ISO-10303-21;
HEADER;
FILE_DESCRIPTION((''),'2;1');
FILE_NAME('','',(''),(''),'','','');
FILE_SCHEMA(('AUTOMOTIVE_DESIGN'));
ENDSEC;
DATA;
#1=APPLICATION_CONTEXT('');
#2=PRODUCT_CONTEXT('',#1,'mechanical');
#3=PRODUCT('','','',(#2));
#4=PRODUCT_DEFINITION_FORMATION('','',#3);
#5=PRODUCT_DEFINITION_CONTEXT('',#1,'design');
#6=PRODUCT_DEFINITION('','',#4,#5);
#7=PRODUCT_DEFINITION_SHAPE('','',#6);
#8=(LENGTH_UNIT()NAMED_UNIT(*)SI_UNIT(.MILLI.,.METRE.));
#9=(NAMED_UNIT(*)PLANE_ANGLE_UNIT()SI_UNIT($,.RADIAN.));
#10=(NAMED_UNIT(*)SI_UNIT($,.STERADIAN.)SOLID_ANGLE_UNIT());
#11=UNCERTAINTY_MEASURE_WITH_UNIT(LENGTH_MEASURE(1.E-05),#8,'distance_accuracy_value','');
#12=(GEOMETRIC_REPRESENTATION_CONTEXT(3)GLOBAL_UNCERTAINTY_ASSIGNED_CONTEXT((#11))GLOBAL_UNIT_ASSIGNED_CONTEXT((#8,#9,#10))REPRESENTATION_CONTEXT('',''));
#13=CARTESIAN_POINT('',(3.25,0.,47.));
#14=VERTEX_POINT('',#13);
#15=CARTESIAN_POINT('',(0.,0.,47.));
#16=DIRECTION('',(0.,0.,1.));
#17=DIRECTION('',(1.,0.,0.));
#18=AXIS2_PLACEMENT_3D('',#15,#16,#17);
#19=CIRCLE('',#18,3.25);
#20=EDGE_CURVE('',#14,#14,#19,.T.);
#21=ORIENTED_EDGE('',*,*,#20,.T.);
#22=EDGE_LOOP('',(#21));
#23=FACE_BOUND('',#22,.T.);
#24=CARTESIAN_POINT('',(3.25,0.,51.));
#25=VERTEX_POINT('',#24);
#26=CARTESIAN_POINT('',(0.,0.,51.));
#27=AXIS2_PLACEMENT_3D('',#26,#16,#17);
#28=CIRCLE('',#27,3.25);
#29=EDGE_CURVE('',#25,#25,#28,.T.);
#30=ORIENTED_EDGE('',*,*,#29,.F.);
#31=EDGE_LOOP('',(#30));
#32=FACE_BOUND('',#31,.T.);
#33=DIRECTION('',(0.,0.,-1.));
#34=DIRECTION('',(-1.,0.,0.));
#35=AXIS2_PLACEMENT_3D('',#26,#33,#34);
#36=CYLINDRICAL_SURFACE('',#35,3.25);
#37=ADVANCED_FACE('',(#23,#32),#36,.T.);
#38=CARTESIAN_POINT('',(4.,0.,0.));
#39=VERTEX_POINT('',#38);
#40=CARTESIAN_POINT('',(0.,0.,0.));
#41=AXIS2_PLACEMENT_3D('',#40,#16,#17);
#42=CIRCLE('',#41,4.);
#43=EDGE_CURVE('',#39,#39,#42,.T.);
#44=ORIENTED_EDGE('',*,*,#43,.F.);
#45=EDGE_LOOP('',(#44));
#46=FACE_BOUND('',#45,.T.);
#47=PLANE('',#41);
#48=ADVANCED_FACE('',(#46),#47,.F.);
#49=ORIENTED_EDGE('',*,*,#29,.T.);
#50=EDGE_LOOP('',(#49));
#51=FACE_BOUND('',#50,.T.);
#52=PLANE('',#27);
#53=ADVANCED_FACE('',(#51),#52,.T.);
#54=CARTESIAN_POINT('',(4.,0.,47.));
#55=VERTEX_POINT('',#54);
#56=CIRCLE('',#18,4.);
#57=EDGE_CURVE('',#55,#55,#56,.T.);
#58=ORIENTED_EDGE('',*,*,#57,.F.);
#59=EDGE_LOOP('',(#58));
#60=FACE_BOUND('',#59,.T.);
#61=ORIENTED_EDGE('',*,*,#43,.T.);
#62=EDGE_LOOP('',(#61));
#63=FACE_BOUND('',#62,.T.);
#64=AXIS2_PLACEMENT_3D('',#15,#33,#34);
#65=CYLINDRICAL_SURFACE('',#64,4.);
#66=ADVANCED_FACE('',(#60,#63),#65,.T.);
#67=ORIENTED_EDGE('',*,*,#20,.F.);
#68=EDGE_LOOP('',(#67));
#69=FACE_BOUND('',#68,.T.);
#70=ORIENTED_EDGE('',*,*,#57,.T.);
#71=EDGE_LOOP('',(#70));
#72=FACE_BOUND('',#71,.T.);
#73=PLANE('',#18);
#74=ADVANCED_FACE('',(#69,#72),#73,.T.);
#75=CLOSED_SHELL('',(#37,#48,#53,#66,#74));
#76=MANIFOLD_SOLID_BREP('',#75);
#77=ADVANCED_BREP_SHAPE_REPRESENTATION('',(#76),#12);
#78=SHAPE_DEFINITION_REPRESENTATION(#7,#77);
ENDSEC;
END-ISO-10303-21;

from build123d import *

# Parameters (mm, degrees)
SKETCH_1_R      = 4
EXTRUDE_1_DEPTH = 47
SKETCH_2_R      = 3.25
EXTRUDE_2_DEPTH = 4


with BuildPart() as part:
    # Эскиз1 → Бобышка-Вытянуть1 (new body)
    with BuildSketch(Plane.XY):
        Circle(SKETCH_1_R)
    extrude(amount=EXTRUDE_1_DEPTH)

    # Эскиз2 → Бобышка-Вытянуть2 (add)
    with BuildSketch(Plane.XY.offset(47)):
        Circle(SKETCH_2_R)
    extrude(amount=EXTRUDE_2_DEPTH)


solid = part.part
